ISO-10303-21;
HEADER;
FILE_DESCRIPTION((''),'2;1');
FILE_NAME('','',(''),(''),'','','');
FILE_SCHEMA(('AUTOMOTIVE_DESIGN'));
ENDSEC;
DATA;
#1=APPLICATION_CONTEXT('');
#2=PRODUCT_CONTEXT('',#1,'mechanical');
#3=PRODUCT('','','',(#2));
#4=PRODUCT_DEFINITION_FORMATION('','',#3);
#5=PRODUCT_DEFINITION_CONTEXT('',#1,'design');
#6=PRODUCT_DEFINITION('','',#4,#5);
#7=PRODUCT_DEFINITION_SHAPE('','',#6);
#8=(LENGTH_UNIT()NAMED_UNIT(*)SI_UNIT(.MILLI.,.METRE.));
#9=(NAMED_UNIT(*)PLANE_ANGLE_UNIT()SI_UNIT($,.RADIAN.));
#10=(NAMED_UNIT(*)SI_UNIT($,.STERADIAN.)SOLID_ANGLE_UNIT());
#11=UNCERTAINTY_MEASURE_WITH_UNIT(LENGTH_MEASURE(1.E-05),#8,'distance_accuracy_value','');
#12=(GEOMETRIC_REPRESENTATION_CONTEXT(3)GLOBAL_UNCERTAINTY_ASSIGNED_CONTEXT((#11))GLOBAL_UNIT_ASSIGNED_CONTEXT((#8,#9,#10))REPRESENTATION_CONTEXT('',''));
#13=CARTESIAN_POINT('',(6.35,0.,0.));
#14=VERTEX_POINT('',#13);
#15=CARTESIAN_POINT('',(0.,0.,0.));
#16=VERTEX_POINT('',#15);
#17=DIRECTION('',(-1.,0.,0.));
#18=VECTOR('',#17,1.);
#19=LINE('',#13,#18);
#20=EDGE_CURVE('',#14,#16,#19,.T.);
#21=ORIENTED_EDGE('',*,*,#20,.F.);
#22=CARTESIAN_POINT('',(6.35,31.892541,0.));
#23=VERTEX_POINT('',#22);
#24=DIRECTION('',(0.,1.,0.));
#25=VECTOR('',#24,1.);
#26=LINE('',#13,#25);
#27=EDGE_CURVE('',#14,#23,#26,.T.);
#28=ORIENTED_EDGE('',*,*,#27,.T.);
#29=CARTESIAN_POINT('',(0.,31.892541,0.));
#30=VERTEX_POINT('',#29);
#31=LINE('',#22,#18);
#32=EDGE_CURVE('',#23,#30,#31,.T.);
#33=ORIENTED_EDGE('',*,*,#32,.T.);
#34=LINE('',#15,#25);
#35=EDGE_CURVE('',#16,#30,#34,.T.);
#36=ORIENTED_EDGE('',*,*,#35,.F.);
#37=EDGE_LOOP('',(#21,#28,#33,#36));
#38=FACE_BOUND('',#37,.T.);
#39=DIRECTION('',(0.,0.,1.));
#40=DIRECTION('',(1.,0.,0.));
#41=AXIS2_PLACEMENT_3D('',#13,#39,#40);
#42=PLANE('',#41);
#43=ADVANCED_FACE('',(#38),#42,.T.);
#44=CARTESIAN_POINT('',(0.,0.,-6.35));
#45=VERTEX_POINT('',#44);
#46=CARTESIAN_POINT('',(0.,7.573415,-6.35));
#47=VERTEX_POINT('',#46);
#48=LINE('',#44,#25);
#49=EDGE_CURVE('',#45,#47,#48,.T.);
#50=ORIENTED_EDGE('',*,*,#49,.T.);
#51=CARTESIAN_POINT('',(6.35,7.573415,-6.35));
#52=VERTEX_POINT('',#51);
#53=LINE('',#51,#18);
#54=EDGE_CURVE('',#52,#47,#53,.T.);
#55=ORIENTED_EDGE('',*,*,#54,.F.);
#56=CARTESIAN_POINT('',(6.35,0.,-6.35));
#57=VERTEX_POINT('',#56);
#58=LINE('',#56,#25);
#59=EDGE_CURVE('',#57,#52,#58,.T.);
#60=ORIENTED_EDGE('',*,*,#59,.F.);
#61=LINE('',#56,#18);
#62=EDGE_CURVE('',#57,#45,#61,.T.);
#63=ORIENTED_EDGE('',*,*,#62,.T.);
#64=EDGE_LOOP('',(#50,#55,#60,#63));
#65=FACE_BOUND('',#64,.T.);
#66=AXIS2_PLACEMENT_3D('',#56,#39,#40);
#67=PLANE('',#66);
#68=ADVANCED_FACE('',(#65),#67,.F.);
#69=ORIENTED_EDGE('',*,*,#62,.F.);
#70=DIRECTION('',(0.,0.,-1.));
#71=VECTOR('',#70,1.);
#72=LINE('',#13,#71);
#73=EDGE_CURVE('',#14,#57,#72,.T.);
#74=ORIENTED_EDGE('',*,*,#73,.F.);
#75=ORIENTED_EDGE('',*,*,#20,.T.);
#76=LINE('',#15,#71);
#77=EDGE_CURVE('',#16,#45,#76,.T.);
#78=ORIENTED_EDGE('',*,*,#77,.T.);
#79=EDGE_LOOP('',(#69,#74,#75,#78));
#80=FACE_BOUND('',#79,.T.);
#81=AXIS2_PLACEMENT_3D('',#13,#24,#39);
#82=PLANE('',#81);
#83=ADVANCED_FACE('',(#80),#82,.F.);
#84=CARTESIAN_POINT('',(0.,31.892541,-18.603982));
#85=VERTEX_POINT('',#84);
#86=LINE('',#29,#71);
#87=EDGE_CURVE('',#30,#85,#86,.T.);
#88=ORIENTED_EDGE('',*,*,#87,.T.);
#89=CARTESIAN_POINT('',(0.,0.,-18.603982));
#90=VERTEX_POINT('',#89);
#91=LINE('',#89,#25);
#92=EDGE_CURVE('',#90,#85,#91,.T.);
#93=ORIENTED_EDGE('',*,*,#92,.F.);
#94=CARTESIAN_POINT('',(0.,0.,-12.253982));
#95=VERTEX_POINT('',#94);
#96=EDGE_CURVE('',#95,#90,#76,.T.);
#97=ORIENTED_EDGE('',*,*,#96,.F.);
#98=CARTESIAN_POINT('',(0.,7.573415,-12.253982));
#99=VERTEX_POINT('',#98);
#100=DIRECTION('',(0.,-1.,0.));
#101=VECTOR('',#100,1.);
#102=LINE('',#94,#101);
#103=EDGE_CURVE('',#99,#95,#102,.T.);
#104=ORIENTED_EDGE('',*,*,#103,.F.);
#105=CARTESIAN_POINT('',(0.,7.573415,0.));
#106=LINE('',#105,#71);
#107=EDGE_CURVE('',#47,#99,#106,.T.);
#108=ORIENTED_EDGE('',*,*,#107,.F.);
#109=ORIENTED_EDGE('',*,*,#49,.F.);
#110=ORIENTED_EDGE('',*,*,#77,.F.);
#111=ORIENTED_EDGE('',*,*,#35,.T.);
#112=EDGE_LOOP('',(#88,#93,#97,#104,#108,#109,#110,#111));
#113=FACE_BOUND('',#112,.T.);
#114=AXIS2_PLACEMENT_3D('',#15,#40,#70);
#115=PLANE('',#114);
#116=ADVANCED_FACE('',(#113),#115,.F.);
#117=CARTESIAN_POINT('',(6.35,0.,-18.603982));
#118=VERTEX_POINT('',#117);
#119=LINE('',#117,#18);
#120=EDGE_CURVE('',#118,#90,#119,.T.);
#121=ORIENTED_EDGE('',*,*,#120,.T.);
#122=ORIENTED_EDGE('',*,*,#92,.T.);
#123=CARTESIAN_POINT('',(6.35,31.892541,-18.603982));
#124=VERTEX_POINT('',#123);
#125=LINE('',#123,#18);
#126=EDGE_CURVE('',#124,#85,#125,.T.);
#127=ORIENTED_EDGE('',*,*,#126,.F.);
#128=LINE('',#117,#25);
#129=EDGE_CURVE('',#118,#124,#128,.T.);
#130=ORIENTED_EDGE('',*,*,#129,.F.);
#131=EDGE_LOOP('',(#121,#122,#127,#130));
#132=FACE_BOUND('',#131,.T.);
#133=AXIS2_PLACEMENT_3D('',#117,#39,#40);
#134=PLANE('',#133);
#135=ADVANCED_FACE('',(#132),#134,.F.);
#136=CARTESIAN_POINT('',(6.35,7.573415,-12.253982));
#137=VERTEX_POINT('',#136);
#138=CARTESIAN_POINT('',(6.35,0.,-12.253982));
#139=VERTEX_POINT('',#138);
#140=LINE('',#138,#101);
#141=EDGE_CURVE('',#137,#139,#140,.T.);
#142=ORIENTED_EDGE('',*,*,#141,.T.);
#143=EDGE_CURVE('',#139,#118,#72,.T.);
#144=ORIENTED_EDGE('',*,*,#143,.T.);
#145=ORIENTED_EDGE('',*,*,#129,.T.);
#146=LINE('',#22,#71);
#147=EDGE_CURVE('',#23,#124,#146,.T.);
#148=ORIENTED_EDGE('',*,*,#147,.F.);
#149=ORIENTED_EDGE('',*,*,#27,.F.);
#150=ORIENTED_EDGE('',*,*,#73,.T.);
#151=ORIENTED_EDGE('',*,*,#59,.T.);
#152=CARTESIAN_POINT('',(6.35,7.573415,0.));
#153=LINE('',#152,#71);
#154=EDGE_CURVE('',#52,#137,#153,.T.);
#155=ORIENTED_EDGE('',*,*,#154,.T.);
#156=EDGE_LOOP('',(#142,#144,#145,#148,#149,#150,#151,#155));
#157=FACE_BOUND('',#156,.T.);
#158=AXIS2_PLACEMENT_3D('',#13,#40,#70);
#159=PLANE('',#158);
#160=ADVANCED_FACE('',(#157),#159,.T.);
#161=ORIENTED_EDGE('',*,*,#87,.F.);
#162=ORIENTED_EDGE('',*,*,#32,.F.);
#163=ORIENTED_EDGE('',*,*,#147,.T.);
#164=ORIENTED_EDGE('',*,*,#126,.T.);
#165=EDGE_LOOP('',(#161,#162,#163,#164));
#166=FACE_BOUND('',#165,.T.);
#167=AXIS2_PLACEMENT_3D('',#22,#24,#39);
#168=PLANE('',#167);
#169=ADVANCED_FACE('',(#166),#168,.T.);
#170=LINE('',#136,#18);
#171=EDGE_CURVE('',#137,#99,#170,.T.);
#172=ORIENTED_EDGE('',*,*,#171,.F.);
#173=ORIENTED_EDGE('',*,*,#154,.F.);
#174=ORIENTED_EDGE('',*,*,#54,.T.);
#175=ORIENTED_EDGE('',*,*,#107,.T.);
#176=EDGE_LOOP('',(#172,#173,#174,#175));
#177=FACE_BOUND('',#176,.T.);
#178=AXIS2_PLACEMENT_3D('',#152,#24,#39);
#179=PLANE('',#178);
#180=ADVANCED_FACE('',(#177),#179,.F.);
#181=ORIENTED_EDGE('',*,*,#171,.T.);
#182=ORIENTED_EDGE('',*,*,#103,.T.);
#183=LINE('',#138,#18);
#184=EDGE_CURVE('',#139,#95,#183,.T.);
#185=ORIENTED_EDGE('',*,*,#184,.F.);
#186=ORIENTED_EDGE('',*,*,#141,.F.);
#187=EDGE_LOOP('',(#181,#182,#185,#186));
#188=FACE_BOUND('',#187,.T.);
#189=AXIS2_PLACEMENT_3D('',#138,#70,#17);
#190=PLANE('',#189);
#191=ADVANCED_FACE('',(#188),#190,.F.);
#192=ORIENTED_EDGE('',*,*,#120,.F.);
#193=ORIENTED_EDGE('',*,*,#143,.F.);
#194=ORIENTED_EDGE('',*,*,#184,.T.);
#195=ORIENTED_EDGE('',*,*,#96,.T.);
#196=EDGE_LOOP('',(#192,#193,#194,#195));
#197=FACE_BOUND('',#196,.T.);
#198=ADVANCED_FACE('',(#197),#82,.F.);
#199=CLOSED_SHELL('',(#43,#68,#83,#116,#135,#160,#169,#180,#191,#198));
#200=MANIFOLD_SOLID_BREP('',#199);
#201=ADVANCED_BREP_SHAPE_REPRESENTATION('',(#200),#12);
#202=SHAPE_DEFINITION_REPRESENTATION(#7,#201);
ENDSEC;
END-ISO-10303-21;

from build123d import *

# Parameters (mm, degrees)
BOSS_EXTRUDE1_DEPTH = 6.35


with BuildPart() as part:
    # Sketch1 → Boss-Extrude1 (new body)
    with BuildSketch(Plane(origin=(0, 0, 0), x_dir=(0, 0, -1), z_dir=(1, 0, 0))):
        Polygon((0, 0), (6.35, 0), (6.35, 7.573414721), (12.253982435, 7.573414721), (12.253982435, 0), (18.603982435, 0), (18.603982435, 31.892541318), (0, 31.892541318), align=None)
    extrude(amount=BOSS_EXTRUDE1_DEPTH)


solid = part.part
